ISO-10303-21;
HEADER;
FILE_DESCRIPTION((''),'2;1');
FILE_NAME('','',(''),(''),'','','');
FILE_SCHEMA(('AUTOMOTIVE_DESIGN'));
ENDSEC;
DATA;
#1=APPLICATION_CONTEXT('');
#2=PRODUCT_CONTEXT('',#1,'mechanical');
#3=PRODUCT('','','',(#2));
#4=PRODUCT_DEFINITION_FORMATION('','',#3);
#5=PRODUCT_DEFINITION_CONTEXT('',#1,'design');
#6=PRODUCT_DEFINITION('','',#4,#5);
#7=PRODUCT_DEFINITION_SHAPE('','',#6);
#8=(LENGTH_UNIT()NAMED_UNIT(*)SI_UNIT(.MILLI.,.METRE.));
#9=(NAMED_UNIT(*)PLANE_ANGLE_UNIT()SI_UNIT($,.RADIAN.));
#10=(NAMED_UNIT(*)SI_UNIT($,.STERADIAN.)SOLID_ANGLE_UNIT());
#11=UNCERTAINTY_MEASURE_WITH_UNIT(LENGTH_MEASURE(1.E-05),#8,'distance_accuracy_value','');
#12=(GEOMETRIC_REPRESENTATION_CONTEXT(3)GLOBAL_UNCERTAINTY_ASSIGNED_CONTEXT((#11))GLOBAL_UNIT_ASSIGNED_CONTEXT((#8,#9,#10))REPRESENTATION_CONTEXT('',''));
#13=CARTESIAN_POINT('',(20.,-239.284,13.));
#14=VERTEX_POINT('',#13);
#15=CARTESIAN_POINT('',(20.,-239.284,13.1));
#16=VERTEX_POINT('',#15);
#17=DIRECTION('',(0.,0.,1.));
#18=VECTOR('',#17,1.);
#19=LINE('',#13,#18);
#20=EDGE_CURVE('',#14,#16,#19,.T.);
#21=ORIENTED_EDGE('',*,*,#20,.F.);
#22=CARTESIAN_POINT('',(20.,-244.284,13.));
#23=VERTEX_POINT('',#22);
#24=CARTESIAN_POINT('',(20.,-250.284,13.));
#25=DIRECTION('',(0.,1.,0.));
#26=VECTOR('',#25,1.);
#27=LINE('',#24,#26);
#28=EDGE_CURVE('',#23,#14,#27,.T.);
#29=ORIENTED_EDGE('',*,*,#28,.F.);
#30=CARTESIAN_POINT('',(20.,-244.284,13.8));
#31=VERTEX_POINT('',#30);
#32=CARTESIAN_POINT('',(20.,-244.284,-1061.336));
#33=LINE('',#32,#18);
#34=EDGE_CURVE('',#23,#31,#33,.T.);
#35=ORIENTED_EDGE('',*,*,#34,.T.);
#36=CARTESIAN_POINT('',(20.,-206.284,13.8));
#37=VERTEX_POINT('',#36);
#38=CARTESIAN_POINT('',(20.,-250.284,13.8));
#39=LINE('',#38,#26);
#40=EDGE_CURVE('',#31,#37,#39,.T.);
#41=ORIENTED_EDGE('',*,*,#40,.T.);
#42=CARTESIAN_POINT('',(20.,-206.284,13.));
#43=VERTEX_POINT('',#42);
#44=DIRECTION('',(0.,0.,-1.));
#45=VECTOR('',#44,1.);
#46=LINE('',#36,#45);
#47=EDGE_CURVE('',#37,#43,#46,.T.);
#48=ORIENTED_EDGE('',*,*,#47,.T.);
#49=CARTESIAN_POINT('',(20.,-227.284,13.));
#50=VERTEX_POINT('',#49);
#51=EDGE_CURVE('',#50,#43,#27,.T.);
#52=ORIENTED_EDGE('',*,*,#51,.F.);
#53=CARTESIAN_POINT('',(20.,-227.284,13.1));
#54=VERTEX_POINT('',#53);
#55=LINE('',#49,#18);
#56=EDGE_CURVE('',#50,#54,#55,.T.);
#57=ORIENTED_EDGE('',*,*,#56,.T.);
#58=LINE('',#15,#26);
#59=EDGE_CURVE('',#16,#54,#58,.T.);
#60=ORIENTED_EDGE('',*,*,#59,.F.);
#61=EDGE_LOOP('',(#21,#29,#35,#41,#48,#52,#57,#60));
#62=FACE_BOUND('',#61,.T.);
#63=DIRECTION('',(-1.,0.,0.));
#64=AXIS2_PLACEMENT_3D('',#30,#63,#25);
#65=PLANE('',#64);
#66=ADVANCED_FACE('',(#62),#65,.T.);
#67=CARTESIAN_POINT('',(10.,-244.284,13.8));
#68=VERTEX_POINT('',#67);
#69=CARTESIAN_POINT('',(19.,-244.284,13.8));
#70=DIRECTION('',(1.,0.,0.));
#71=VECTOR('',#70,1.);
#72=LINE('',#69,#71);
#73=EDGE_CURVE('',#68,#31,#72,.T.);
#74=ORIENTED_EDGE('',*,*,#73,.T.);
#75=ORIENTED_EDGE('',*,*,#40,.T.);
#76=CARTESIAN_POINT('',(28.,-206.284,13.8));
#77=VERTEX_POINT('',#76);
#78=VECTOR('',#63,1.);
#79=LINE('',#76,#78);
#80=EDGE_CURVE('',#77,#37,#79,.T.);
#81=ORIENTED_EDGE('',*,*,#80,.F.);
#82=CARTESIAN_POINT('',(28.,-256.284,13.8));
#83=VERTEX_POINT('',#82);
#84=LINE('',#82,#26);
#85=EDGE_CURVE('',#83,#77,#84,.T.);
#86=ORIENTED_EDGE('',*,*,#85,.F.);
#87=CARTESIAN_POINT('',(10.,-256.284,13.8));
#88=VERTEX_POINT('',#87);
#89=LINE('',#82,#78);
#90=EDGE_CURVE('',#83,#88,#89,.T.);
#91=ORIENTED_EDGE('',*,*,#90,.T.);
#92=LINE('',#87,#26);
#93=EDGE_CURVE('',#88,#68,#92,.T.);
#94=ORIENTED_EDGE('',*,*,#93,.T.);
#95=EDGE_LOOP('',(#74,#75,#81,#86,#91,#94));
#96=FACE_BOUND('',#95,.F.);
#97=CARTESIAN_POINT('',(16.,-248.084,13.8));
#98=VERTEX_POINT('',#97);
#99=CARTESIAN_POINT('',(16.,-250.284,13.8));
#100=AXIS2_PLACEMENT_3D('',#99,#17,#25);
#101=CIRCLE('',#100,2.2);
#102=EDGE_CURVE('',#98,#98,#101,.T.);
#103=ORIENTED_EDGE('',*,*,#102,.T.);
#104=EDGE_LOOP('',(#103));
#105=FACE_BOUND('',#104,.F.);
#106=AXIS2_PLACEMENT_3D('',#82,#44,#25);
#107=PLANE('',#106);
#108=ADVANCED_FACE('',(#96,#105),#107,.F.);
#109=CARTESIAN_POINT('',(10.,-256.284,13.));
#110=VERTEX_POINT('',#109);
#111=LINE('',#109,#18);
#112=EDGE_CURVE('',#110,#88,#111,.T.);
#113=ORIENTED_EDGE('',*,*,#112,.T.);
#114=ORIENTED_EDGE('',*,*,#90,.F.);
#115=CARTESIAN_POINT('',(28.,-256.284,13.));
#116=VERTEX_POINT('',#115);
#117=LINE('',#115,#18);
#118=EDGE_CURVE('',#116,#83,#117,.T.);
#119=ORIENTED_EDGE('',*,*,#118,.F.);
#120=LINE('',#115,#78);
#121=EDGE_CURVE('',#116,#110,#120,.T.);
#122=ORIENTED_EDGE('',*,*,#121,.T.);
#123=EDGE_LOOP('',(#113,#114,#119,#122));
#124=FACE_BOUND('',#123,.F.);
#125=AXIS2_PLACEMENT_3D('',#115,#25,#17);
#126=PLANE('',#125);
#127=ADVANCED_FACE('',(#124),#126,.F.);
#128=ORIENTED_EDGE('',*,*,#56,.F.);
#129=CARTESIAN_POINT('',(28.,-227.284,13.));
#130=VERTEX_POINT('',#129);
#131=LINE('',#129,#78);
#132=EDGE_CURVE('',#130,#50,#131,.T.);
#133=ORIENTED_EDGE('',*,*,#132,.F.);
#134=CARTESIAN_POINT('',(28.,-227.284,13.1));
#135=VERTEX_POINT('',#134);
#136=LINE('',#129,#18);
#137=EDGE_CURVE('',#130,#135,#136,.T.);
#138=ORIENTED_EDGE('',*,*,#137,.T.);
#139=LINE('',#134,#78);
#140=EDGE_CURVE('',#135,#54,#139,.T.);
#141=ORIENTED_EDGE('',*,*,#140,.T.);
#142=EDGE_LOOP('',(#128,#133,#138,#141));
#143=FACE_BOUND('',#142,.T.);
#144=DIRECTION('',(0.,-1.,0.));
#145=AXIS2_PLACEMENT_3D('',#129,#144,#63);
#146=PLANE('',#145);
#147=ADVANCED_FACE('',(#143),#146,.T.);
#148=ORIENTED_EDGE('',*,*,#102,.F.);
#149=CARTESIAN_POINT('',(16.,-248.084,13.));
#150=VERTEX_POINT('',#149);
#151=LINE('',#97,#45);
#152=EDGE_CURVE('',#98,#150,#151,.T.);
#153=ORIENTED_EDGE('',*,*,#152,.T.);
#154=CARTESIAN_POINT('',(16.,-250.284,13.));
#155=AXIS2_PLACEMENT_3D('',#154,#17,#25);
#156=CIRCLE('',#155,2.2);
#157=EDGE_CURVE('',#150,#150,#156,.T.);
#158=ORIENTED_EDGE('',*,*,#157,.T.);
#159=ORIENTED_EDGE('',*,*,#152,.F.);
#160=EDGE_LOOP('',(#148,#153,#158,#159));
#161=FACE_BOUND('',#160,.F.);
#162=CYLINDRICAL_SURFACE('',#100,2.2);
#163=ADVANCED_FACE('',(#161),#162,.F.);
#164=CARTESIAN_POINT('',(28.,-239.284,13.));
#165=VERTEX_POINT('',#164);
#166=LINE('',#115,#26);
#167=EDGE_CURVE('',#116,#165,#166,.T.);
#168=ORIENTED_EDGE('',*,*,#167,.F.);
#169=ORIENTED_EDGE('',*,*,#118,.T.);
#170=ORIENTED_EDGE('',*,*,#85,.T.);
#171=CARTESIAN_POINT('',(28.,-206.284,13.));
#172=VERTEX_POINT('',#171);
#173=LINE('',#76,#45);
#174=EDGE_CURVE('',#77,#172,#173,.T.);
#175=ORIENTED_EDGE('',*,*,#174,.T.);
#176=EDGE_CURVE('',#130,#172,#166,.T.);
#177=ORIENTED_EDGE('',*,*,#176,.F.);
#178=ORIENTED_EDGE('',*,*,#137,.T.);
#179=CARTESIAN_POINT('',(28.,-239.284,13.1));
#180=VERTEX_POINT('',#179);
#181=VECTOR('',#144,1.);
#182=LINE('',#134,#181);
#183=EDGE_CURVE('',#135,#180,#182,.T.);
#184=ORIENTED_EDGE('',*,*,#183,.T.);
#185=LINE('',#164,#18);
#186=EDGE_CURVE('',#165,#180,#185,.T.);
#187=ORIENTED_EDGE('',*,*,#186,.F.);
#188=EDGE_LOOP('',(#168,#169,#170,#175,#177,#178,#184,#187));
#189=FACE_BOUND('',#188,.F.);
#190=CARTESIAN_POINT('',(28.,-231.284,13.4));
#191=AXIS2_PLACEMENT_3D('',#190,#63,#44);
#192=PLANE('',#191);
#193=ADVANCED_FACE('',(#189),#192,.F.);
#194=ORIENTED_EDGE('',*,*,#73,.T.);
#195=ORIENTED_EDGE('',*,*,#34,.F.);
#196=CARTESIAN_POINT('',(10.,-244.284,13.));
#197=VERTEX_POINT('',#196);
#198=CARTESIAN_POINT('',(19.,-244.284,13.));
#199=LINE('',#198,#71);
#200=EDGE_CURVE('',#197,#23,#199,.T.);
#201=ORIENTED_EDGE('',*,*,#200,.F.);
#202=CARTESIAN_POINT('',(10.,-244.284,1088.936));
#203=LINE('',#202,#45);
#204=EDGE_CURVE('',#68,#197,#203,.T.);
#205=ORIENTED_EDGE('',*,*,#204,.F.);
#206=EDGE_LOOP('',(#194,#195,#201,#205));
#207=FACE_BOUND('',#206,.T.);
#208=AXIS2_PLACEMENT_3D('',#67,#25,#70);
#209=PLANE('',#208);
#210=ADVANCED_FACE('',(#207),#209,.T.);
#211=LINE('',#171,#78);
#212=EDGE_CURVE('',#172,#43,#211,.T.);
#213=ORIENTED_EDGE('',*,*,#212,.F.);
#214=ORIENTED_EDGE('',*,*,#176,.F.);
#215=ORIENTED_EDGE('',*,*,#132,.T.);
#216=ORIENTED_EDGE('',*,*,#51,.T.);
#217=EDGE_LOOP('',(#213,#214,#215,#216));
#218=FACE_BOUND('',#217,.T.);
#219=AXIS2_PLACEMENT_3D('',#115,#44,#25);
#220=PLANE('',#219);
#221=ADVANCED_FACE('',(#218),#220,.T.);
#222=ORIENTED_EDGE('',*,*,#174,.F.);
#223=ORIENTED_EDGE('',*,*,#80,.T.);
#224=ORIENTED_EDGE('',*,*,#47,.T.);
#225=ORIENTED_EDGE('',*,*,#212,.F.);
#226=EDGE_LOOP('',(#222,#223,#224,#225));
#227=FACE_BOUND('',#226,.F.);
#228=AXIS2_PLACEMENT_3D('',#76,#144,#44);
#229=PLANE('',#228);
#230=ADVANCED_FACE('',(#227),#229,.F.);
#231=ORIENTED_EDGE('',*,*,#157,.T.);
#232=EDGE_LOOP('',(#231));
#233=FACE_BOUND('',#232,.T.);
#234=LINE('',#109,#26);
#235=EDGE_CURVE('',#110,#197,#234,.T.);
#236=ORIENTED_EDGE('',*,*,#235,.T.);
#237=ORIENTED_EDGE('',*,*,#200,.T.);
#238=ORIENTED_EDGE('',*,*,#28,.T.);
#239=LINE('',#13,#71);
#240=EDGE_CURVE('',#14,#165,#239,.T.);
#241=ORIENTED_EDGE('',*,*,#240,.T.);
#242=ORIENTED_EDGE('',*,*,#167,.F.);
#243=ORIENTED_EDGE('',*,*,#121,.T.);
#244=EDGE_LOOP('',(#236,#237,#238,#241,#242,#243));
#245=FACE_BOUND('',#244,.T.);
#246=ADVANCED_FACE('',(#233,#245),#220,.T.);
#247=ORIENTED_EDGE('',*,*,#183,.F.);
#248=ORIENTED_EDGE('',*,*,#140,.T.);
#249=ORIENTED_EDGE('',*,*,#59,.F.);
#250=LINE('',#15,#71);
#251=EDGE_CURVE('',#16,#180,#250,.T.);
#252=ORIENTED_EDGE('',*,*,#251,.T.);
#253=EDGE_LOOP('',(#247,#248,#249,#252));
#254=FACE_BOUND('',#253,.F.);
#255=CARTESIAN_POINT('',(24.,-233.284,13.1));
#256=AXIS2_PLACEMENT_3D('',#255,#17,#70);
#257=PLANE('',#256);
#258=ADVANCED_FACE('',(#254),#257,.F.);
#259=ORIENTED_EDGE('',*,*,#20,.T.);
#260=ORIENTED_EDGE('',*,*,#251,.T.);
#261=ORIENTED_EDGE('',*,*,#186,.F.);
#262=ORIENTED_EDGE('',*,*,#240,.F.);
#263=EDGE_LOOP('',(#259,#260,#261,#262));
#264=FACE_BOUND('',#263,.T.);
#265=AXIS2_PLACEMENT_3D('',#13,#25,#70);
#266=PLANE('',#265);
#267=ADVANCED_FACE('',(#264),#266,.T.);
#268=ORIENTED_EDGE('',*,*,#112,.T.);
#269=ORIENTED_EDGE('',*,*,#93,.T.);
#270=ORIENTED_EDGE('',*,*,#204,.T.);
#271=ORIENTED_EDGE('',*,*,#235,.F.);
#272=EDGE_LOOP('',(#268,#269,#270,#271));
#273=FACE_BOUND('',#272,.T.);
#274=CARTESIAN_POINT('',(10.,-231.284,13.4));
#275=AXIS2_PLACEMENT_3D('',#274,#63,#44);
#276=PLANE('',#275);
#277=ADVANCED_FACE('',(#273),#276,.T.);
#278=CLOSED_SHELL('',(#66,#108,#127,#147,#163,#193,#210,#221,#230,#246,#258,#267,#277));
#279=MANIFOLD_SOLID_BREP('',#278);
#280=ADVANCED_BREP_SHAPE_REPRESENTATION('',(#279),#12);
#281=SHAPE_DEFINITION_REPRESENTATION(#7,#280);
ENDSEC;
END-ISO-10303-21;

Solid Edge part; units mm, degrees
sketch "Sketch1" plane through (28, 0, 0) normal (1, 0, 0) x (0, 1, 0)
  line L0 (-256.284, 13.8) -> (-206.284, 13.8)
  line L1 (-206.284, 13.8) -> (-206.284, 13)
  line L2 (-256.284, 13) -> (-206.284, 13)
  line L3 (-256.284, 13) -> (-256.284, 13.8)
extrude "Protrusion1" add sketch "Sketch1" against normal blind 18
sketch "Sketch2" plane through (19, -249.0202, 13.8) normal (0, 0, 1) x (0, 1, 0)
  line L0 (4.7362, 9) -> (4.7362, -1)
  line L1 (4.7362, -1) -> (44.7362, -1)
  line L2 (44.7362, -1) -> (44.7362, 9)
  line L3 (44.7362, 9) -> (4.7362, 9)
  circle A0 centre (-1.2638, 3) radius 2.2
  dimension "D1" = 10
  dimension "D2" = 6
  dimension "D3" = 6
  dimension "D4" = 12
  dimension "D5" = 40
extrude "Cutout1" cut sketch "Sketch2" along normal through all and the other way through all
sketch "Sketch3" plane through (19, -231.284, 13) normal (0, 0, -1) x (1, 0, 0)
  line L0 (1, 8) -> (9, 8)
  line L1 (9, -4) -> (9, 8)
  line L2 (9, -4) -> (1, -4)
  line L3 (1, 8) -> (1, -4)
  dimension "D1" = 8
extrude "ExtrudedCutout_4" cut sketch "Sketch3" against normal blind 0.1
